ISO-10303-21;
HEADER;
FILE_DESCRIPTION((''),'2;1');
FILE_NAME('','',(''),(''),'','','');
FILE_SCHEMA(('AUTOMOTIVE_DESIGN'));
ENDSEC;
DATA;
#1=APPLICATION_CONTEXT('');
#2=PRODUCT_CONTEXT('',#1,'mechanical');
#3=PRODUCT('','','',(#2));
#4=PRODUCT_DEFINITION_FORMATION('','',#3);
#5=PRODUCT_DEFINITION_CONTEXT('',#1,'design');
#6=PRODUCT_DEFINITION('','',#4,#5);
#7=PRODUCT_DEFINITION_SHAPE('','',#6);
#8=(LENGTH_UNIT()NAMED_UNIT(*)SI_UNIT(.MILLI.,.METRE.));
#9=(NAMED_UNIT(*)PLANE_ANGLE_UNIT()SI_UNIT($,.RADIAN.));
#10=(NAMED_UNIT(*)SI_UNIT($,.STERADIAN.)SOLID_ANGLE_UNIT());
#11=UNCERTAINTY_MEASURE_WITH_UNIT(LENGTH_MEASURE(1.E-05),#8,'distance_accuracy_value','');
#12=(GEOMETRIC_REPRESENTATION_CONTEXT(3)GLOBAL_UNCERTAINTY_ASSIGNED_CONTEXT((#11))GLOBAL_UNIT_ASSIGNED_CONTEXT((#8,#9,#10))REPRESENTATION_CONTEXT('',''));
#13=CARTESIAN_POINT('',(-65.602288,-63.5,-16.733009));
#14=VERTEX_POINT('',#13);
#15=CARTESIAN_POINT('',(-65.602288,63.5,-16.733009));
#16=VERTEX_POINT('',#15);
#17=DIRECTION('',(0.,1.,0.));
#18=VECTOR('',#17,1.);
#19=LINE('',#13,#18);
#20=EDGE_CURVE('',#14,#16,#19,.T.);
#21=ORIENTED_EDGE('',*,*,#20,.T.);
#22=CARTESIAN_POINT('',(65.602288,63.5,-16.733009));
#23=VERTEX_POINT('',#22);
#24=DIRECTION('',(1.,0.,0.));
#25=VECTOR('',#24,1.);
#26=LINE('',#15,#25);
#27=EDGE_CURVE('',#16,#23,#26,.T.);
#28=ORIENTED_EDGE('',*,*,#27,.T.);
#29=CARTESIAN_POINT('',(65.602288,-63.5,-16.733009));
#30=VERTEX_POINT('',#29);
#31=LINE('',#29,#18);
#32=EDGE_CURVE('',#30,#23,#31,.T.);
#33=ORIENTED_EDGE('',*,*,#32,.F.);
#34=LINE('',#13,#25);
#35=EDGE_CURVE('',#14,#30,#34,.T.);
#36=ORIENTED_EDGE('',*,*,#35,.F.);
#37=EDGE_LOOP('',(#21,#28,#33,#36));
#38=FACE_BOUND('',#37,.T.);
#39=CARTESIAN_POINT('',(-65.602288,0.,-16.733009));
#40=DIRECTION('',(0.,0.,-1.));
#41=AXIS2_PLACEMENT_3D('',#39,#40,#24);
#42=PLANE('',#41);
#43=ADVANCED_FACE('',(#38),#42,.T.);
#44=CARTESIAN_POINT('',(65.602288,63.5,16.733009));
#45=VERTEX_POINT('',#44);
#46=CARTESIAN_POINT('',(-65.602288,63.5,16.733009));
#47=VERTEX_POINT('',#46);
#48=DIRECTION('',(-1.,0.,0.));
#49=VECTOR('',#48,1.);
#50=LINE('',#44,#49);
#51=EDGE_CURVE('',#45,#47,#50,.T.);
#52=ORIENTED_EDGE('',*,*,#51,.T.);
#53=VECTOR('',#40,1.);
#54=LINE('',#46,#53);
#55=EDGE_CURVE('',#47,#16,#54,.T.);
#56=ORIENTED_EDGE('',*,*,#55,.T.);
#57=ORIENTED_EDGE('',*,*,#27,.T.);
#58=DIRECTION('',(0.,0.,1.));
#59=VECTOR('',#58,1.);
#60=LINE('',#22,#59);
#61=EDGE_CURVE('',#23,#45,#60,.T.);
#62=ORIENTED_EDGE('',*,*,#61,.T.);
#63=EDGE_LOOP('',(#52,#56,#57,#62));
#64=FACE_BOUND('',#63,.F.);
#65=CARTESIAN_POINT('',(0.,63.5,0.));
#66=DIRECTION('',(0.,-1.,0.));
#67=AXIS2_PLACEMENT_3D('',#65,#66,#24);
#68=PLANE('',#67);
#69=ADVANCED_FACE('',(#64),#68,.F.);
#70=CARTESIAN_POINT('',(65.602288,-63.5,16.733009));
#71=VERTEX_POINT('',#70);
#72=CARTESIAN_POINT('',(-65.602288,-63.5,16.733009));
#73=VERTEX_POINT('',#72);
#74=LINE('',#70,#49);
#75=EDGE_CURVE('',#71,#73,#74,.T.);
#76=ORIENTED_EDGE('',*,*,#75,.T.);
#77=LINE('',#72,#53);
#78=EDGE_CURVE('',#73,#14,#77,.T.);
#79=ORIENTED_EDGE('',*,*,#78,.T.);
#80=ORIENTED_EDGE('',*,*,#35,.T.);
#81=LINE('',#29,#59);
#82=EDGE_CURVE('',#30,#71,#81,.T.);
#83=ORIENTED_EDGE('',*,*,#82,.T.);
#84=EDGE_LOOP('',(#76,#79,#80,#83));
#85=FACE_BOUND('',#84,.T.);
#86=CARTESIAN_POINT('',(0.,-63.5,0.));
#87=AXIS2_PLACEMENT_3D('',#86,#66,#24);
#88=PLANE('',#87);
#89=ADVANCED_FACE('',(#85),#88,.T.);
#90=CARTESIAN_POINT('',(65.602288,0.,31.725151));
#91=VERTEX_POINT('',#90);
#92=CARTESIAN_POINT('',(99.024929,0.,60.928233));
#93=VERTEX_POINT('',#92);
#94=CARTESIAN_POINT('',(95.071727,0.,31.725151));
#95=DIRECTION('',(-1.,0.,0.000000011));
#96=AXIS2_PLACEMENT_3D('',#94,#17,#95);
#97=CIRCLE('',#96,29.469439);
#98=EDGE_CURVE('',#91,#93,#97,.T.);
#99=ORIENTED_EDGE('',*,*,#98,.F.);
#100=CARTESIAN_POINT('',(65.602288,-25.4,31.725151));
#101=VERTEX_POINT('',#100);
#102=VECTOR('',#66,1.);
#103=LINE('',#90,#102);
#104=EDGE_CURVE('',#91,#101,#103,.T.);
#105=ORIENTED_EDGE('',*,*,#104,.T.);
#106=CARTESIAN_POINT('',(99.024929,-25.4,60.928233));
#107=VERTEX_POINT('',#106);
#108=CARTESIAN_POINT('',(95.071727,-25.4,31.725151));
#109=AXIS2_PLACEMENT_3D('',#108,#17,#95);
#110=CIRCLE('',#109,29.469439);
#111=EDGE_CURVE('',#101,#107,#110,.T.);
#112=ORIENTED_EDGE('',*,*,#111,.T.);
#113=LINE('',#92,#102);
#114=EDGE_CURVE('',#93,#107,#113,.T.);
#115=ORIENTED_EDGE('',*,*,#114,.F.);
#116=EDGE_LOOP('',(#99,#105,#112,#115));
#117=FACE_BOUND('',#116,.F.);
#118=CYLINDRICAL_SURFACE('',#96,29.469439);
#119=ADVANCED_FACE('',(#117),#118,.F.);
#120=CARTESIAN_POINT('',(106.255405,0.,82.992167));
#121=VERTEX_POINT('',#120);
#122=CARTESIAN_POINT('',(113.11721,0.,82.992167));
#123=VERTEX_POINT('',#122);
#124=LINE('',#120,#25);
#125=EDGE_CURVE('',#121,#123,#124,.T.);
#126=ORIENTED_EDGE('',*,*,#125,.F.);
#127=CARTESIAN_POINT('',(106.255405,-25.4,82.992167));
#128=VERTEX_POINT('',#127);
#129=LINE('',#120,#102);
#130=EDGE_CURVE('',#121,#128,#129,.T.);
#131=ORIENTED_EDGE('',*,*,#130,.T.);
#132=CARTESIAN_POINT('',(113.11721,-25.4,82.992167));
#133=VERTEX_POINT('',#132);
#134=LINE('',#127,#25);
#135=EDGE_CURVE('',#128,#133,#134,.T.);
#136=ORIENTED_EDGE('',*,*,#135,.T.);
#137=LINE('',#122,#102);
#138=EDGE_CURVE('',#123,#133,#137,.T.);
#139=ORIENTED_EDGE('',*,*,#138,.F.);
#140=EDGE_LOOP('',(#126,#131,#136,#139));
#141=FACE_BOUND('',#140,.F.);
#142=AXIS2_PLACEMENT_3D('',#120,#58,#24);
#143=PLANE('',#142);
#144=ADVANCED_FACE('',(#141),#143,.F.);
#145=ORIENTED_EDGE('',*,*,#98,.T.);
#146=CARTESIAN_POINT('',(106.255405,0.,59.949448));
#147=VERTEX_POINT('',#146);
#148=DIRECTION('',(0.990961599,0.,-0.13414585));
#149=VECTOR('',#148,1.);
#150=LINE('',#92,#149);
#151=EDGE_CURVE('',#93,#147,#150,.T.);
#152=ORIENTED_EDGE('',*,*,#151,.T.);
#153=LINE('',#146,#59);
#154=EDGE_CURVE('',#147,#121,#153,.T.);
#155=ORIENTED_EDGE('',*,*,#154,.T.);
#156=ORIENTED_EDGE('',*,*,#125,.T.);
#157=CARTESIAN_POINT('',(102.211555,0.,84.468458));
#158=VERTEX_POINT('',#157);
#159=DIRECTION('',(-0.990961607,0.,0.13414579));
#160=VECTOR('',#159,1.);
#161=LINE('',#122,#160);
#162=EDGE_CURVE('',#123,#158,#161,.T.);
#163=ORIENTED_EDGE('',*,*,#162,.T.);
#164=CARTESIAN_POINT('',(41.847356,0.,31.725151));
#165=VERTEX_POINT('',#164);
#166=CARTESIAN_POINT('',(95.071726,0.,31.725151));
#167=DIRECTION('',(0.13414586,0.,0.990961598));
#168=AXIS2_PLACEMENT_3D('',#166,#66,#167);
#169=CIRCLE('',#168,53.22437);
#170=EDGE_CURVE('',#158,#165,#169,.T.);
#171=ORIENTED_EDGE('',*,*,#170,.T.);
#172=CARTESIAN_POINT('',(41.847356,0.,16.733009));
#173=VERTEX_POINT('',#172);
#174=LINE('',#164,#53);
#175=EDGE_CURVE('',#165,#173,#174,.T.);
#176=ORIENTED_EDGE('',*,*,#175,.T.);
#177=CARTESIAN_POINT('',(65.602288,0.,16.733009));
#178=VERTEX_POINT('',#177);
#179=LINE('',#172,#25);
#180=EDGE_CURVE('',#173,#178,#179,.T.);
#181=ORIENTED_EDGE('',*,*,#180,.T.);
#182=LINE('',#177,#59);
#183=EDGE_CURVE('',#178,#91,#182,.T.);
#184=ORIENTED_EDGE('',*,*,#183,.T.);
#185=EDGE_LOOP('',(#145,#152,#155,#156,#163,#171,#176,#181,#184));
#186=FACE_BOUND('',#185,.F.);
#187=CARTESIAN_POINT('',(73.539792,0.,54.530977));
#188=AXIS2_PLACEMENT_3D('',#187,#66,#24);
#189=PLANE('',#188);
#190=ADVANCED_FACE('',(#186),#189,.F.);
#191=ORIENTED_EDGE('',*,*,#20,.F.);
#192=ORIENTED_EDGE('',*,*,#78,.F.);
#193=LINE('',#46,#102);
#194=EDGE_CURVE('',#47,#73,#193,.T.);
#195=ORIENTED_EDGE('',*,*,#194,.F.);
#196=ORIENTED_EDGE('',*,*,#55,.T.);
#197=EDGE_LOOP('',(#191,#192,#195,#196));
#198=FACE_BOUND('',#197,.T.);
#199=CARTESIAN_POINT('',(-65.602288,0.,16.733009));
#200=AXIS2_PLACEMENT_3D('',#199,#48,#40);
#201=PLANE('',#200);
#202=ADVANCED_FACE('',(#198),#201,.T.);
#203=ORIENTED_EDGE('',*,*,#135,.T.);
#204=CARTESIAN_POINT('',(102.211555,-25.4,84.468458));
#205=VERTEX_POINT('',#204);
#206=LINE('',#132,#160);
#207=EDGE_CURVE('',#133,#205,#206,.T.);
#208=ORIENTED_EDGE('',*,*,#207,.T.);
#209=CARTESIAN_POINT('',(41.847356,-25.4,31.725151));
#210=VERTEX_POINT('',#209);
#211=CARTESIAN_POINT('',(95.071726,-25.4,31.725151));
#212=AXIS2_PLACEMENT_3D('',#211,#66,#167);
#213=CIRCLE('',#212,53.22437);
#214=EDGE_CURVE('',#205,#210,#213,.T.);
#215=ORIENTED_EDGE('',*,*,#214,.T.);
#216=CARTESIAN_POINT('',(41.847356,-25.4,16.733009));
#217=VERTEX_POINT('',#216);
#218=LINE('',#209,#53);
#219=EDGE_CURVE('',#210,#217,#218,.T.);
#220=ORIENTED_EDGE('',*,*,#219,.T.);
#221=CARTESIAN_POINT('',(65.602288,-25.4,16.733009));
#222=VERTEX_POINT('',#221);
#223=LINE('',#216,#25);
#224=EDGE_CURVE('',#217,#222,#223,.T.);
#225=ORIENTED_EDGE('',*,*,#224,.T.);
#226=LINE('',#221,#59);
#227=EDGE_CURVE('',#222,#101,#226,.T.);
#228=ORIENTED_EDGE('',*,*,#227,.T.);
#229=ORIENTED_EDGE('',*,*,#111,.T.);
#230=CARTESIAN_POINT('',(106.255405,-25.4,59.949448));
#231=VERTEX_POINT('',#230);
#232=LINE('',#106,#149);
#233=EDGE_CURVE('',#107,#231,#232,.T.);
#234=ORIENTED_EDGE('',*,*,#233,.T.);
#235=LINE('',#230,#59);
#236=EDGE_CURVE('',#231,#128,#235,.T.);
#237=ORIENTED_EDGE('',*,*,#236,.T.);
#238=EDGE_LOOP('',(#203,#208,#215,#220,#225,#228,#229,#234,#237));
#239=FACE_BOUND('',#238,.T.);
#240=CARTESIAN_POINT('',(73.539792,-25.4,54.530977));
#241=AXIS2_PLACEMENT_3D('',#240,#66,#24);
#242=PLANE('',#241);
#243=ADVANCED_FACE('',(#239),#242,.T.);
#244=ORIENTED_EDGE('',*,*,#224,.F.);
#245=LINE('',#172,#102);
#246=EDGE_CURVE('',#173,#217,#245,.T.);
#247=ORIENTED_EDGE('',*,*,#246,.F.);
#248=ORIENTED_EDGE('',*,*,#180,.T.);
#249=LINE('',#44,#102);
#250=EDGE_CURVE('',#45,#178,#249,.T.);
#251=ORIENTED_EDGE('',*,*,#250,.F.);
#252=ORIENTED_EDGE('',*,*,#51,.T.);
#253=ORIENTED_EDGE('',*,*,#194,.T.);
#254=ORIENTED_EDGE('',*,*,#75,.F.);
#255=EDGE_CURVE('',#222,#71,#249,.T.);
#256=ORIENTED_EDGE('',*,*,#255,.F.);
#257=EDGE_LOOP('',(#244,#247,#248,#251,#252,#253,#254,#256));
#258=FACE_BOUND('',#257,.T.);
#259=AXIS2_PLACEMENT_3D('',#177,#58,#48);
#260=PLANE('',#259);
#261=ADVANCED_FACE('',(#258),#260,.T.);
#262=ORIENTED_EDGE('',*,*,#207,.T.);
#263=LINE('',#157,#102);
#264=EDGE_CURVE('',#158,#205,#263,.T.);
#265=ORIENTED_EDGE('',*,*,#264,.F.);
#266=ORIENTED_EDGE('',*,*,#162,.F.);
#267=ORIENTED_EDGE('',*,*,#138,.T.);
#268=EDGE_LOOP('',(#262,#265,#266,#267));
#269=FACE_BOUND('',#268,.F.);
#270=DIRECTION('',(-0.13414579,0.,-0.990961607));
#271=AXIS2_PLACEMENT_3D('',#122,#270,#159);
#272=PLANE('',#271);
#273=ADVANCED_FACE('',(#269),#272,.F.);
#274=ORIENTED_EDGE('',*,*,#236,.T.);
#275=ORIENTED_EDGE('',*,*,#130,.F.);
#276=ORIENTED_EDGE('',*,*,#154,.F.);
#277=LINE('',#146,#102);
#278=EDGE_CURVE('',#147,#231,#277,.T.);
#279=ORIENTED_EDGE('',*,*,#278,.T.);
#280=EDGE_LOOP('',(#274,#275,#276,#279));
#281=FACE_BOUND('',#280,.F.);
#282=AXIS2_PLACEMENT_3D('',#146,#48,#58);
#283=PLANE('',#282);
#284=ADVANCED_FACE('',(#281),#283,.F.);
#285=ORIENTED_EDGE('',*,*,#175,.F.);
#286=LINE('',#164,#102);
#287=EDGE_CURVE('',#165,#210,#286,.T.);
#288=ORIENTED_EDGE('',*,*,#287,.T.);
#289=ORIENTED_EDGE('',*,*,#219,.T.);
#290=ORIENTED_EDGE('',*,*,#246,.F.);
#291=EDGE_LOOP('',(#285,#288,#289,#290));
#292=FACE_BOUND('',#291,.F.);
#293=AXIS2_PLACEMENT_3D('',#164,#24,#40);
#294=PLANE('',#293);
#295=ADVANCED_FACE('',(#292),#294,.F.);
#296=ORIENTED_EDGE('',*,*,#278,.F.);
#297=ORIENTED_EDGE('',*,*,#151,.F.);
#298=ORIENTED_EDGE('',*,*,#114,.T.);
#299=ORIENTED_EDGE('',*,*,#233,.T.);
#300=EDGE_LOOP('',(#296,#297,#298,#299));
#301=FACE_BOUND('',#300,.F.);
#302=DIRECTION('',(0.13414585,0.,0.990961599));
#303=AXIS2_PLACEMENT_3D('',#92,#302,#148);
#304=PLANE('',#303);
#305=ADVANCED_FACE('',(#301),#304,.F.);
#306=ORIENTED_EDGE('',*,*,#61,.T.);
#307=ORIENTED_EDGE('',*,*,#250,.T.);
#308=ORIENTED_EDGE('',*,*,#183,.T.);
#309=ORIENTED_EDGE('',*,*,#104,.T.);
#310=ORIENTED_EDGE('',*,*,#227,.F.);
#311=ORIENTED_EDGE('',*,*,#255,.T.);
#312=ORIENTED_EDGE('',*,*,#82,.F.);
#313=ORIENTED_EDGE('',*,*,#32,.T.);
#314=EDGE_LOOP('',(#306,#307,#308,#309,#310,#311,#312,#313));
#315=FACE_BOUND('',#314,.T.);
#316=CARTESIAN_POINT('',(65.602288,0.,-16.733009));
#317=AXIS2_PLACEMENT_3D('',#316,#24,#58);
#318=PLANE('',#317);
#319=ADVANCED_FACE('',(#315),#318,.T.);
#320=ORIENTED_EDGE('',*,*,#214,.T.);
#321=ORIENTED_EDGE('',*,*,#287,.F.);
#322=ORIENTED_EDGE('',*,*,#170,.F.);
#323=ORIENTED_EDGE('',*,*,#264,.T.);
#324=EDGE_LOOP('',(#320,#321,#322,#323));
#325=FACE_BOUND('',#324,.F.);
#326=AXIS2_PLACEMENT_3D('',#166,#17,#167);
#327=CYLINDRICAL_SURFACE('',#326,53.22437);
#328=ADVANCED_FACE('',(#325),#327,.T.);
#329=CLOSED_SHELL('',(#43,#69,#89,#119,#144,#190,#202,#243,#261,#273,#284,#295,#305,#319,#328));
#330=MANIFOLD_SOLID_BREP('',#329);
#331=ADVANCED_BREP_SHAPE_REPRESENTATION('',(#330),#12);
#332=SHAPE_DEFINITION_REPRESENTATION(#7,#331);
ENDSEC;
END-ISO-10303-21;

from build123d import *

# Parameters (mm, degrees)
F1_DEPTH = 63.5
F2_DEPTH = 25.4


with BuildPart() as f1:
    # F0 (on Front) → F1 (new body, symmetric)
    with BuildSketch(Plane.XZ):
        Polygon((65.602288, -16.733009), (65.602288, 16.733009), (41.847356, 16.733009), (-65.602288, 16.733009), (-65.602288, -16.733009), align=None)
    extrude(amount=F1_DEPTH, both=True)

    # F0 (on Front) → F2 (join)
    with BuildSketch(Plane.XZ):
        with BuildLine():
            Line((41.847356, 16.733009), (65.602288, 16.733009))
            Line((65.602288, 16.733009), (65.602288, 31.725151))
            ThreePointArc((65.602288, 31.725151), (75.681663, 53.916889), (99.024929, 60.928233))
            Line((99.024929, 60.928233), (106.255405, 59.949448))
            Line((106.255405, 59.949448), (106.255405, 82.992167))
            Line((106.255405, 82.992167), (113.11721, 82.992167))
            Line((113.11721, 82.992167), (102.211555, 84.468458))
            ThreePointArc((102.211555, 84.468458), (60.051584, 71.805361), (41.847356, 31.725151))
            Line((41.847356, 31.725151), (41.847356, 16.733009))
        make_face()
    extrude(amount=F2_DEPTH)


solid = f1.part
